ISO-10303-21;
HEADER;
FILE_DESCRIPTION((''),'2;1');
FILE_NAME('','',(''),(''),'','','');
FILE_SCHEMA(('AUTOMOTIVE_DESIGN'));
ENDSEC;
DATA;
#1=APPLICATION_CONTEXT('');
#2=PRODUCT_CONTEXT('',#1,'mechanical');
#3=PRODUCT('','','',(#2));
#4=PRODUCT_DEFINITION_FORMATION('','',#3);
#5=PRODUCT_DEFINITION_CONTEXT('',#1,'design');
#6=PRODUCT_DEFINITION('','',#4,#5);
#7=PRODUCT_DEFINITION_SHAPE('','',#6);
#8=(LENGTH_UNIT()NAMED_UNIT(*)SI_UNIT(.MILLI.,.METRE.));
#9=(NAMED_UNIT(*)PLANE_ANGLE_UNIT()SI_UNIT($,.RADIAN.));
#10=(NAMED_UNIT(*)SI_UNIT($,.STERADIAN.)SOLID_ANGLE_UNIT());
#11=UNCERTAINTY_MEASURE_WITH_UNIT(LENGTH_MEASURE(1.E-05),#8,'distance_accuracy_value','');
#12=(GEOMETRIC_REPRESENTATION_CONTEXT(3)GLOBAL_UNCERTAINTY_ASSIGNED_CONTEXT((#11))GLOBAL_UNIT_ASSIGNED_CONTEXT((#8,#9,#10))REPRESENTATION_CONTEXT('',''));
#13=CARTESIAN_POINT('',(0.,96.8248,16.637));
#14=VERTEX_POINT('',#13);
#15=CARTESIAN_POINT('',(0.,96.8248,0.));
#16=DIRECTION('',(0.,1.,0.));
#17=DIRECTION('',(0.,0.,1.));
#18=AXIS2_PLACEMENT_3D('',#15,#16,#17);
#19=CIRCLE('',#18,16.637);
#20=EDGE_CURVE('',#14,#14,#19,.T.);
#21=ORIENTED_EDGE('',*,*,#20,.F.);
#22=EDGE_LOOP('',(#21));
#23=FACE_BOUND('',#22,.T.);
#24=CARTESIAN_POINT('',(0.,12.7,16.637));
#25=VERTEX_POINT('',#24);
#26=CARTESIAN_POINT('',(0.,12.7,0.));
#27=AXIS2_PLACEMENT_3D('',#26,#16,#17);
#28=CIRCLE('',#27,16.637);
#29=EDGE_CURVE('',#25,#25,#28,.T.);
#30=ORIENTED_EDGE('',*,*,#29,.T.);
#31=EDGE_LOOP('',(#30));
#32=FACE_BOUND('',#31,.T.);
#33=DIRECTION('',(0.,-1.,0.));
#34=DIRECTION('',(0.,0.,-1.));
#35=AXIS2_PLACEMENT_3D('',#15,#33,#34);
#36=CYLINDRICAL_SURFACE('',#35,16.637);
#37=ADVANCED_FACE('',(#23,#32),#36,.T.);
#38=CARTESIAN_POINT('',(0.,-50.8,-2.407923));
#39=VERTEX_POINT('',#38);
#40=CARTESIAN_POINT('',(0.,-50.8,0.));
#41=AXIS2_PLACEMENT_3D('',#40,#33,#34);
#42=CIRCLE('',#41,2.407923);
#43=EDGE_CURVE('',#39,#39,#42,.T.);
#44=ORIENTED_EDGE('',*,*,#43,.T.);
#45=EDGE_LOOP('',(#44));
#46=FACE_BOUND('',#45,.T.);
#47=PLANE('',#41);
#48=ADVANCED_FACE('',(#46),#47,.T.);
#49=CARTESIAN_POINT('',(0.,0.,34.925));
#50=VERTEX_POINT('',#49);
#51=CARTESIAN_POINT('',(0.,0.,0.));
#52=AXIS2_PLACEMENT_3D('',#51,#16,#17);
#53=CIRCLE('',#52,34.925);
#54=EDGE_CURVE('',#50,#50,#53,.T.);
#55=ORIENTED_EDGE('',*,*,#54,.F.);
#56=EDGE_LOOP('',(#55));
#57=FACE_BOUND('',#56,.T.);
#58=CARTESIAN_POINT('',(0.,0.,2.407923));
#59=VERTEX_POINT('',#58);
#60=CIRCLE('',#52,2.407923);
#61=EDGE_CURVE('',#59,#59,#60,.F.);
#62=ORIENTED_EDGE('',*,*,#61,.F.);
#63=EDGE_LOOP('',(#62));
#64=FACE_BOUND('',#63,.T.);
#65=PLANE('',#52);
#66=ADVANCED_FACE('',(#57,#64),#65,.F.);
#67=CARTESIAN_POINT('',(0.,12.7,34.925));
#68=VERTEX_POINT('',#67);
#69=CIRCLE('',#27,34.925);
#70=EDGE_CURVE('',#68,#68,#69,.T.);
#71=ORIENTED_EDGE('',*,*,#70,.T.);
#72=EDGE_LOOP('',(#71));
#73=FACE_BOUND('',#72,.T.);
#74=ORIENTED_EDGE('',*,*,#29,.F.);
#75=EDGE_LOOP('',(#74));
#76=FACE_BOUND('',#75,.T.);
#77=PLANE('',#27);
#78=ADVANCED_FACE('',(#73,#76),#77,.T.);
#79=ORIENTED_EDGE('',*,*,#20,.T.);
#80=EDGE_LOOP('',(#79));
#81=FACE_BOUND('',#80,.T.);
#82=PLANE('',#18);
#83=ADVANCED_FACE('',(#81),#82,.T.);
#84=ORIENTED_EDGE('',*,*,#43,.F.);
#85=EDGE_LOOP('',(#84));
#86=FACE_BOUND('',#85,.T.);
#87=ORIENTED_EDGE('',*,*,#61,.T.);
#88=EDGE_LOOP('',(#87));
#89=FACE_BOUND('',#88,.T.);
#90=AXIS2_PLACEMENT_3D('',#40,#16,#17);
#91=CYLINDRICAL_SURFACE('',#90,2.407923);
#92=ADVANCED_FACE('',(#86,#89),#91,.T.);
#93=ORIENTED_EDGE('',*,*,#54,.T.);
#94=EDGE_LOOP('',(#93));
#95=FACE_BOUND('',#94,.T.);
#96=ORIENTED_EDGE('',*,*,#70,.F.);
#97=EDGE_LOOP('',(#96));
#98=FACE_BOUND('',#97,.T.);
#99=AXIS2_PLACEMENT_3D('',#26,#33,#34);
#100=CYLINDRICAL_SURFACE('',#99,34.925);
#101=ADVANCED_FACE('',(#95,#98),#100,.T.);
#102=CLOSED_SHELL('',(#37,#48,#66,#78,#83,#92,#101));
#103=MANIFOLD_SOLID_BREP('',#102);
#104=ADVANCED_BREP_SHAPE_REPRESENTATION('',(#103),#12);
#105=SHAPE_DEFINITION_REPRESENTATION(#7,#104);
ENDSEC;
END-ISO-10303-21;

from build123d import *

# Parameters (mm, degrees)
SKETCH1_R      = 34.925
EXTRUDE1_DEPTH = 12.7
SKETCH2_R      = 16.637
EXTRUDE2_DEPTH = 84.1248
SKETCH3_R      = 2.40792343
EXTRUDE3_DEPTH = 50.8


with BuildPart() as part:
    # Sketch1 → Extrude1 (new body)
    with BuildSketch(Plane(origin=(0, 0, 0), x_dir=(1, 0, 0), z_dir=(0, 1, 0))):
        Circle(SKETCH1_R)
    extrude(amount=EXTRUDE1_DEPTH)

    # Sketch2 → Extrude2 (add)
    with BuildSketch(Plane(origin=(0, 12.7, 0), x_dir=(1, 0, 0), z_dir=(0, 1, 0))):
        Circle(SKETCH2_R)
    extrude(amount=EXTRUDE2_DEPTH)

    # Sketch3 → Extrude3 (add)
    with BuildSketch(Plane.XZ):
        Circle(SKETCH3_R)
    extrude(amount=EXTRUDE3_DEPTH)


solid = part.part
